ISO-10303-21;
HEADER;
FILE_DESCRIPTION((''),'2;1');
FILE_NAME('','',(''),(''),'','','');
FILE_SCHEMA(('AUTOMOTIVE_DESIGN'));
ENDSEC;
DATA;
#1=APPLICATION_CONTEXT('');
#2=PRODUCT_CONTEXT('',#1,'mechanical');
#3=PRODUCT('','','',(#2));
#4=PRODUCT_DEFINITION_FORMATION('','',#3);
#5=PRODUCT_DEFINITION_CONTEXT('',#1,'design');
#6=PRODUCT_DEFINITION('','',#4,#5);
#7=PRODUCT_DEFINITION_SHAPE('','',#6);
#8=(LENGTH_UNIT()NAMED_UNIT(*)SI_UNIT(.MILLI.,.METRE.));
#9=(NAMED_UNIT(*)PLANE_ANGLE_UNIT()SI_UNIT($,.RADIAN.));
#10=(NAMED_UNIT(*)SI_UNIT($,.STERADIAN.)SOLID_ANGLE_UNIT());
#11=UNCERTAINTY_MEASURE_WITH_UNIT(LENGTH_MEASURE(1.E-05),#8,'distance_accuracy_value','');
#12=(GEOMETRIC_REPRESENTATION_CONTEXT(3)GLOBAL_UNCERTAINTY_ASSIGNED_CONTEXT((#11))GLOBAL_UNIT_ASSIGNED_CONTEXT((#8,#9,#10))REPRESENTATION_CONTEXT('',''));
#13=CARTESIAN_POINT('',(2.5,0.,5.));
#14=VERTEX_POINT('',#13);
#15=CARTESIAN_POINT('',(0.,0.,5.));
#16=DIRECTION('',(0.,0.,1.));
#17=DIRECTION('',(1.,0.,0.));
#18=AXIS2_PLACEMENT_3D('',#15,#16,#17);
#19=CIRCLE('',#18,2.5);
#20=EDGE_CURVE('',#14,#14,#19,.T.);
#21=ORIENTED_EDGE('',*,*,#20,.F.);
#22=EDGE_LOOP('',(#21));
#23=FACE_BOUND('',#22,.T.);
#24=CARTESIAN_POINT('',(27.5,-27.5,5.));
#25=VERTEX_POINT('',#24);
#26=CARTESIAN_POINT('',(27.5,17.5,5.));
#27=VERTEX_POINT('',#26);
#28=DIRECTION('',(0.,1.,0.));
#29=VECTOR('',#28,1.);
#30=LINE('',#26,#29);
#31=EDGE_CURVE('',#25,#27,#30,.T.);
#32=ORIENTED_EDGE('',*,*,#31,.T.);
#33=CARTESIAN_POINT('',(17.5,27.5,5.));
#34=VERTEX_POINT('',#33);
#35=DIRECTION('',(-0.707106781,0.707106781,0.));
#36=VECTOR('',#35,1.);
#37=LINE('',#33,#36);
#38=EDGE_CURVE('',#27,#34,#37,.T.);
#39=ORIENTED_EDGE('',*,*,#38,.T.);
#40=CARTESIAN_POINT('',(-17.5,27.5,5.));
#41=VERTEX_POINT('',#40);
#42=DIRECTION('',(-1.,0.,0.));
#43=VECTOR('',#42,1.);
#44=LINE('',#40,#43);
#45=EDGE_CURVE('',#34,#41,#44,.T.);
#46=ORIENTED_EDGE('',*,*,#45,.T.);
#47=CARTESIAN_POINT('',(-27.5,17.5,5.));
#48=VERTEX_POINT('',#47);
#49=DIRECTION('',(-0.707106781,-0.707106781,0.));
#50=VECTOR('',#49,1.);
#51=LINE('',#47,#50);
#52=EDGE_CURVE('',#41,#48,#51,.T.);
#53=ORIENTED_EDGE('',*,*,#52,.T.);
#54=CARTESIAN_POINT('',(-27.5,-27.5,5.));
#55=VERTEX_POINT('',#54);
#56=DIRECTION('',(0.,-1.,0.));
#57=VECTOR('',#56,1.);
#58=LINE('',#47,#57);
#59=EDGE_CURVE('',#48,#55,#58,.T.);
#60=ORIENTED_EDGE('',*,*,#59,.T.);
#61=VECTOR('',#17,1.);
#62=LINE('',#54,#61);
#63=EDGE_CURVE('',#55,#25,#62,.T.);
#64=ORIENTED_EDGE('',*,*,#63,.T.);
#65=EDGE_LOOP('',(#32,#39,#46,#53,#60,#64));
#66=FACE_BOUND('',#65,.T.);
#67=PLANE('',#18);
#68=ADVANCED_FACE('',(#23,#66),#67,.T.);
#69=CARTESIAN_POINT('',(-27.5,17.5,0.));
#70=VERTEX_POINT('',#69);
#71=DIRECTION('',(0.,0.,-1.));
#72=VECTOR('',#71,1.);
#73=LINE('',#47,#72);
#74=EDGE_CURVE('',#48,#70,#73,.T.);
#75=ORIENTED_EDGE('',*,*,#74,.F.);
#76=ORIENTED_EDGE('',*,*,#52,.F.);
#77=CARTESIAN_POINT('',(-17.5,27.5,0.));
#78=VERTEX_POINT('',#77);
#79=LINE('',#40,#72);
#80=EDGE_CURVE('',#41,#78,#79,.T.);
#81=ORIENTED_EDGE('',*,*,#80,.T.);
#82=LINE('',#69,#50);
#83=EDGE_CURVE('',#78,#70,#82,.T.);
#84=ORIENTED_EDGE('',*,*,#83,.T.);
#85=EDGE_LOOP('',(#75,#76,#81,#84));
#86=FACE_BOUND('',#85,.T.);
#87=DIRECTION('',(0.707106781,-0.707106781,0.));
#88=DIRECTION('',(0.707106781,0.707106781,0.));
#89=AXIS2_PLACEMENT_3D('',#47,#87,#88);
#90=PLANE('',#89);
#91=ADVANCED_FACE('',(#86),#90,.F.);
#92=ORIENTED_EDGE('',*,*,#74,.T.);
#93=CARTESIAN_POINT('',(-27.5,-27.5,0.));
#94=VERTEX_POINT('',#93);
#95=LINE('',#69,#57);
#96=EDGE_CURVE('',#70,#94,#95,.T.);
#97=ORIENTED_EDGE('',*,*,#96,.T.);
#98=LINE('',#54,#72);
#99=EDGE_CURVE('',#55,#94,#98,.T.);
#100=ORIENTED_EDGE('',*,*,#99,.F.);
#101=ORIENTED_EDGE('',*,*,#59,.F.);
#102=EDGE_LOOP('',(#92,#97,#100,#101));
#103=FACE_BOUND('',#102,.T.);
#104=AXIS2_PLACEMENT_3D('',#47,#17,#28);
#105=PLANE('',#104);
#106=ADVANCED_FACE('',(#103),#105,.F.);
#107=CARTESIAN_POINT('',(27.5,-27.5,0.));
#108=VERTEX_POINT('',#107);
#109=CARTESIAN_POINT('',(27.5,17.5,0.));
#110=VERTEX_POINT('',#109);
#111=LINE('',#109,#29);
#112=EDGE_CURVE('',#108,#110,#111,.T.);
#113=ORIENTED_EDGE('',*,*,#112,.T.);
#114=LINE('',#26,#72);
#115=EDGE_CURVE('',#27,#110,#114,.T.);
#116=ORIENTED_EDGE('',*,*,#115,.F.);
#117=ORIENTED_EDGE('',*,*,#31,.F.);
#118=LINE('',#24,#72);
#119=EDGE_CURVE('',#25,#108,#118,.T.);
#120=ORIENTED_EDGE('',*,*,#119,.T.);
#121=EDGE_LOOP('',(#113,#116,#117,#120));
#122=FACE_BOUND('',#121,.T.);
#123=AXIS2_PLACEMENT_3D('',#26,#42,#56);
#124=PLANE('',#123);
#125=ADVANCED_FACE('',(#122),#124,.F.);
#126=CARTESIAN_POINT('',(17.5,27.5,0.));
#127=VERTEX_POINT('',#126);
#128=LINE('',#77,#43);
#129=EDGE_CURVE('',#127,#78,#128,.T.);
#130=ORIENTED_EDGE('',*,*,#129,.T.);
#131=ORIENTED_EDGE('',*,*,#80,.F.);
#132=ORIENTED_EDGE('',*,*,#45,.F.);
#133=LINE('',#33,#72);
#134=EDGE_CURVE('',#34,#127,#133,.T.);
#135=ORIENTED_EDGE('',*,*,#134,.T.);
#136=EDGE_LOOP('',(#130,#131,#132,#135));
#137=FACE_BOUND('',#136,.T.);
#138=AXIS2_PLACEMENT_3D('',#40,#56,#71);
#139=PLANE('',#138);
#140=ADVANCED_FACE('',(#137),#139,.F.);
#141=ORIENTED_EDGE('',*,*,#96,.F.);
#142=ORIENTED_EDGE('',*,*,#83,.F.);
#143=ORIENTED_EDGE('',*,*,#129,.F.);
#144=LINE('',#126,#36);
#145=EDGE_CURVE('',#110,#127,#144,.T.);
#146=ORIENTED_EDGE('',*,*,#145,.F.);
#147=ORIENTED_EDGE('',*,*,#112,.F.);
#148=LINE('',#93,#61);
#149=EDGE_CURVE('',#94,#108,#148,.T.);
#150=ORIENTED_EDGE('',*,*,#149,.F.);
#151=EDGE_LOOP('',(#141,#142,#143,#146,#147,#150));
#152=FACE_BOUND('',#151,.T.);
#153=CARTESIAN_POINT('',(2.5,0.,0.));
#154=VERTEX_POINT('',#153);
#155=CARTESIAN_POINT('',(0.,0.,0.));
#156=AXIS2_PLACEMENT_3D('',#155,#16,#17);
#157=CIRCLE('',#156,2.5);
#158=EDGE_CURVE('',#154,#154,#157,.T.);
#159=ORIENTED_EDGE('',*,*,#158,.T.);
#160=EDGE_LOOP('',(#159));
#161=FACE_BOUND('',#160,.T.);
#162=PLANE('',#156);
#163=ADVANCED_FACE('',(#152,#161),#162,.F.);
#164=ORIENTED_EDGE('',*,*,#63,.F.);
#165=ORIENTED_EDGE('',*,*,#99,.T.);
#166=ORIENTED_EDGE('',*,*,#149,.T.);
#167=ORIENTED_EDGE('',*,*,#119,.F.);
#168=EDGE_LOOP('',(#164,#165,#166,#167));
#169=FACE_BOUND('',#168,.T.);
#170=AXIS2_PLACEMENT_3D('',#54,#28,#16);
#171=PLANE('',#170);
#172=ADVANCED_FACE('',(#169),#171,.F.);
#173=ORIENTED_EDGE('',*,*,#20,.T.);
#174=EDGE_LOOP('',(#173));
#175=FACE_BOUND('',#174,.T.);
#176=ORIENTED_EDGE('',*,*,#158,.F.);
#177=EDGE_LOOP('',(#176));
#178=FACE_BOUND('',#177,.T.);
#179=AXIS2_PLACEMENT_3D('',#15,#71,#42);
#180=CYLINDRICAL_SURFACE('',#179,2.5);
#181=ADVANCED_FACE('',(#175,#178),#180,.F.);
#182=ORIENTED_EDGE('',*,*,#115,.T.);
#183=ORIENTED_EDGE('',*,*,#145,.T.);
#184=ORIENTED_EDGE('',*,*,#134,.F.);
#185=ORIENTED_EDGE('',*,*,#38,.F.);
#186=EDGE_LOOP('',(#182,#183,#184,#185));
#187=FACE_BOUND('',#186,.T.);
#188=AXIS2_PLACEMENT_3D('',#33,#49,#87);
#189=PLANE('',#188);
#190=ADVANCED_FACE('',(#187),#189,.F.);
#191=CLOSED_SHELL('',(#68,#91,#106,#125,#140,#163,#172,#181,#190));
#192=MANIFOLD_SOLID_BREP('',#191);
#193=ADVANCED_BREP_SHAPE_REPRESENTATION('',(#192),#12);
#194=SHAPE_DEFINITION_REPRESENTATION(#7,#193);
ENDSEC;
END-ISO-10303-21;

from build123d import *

# Parameters (mm, degrees)
SKETCH1_R           = 2.5
BOSS_EXTRUDE1_DEPTH = 5


with BuildPart() as part:
    # Sketch1 → Boss-Extrude1 (new body)
    with BuildSketch(Plane.XY):
        Polygon((-27.5, 17.5), (-17.5, 27.5), (17.5, 27.5), (27.5, 17.5), (27.5, -27.5), (-27.5, -27.5), align=None)
        Circle(SKETCH1_R, mode=Mode.SUBTRACT)
    extrude(amount=BOSS_EXTRUDE1_DEPTH)


solid = part.part
